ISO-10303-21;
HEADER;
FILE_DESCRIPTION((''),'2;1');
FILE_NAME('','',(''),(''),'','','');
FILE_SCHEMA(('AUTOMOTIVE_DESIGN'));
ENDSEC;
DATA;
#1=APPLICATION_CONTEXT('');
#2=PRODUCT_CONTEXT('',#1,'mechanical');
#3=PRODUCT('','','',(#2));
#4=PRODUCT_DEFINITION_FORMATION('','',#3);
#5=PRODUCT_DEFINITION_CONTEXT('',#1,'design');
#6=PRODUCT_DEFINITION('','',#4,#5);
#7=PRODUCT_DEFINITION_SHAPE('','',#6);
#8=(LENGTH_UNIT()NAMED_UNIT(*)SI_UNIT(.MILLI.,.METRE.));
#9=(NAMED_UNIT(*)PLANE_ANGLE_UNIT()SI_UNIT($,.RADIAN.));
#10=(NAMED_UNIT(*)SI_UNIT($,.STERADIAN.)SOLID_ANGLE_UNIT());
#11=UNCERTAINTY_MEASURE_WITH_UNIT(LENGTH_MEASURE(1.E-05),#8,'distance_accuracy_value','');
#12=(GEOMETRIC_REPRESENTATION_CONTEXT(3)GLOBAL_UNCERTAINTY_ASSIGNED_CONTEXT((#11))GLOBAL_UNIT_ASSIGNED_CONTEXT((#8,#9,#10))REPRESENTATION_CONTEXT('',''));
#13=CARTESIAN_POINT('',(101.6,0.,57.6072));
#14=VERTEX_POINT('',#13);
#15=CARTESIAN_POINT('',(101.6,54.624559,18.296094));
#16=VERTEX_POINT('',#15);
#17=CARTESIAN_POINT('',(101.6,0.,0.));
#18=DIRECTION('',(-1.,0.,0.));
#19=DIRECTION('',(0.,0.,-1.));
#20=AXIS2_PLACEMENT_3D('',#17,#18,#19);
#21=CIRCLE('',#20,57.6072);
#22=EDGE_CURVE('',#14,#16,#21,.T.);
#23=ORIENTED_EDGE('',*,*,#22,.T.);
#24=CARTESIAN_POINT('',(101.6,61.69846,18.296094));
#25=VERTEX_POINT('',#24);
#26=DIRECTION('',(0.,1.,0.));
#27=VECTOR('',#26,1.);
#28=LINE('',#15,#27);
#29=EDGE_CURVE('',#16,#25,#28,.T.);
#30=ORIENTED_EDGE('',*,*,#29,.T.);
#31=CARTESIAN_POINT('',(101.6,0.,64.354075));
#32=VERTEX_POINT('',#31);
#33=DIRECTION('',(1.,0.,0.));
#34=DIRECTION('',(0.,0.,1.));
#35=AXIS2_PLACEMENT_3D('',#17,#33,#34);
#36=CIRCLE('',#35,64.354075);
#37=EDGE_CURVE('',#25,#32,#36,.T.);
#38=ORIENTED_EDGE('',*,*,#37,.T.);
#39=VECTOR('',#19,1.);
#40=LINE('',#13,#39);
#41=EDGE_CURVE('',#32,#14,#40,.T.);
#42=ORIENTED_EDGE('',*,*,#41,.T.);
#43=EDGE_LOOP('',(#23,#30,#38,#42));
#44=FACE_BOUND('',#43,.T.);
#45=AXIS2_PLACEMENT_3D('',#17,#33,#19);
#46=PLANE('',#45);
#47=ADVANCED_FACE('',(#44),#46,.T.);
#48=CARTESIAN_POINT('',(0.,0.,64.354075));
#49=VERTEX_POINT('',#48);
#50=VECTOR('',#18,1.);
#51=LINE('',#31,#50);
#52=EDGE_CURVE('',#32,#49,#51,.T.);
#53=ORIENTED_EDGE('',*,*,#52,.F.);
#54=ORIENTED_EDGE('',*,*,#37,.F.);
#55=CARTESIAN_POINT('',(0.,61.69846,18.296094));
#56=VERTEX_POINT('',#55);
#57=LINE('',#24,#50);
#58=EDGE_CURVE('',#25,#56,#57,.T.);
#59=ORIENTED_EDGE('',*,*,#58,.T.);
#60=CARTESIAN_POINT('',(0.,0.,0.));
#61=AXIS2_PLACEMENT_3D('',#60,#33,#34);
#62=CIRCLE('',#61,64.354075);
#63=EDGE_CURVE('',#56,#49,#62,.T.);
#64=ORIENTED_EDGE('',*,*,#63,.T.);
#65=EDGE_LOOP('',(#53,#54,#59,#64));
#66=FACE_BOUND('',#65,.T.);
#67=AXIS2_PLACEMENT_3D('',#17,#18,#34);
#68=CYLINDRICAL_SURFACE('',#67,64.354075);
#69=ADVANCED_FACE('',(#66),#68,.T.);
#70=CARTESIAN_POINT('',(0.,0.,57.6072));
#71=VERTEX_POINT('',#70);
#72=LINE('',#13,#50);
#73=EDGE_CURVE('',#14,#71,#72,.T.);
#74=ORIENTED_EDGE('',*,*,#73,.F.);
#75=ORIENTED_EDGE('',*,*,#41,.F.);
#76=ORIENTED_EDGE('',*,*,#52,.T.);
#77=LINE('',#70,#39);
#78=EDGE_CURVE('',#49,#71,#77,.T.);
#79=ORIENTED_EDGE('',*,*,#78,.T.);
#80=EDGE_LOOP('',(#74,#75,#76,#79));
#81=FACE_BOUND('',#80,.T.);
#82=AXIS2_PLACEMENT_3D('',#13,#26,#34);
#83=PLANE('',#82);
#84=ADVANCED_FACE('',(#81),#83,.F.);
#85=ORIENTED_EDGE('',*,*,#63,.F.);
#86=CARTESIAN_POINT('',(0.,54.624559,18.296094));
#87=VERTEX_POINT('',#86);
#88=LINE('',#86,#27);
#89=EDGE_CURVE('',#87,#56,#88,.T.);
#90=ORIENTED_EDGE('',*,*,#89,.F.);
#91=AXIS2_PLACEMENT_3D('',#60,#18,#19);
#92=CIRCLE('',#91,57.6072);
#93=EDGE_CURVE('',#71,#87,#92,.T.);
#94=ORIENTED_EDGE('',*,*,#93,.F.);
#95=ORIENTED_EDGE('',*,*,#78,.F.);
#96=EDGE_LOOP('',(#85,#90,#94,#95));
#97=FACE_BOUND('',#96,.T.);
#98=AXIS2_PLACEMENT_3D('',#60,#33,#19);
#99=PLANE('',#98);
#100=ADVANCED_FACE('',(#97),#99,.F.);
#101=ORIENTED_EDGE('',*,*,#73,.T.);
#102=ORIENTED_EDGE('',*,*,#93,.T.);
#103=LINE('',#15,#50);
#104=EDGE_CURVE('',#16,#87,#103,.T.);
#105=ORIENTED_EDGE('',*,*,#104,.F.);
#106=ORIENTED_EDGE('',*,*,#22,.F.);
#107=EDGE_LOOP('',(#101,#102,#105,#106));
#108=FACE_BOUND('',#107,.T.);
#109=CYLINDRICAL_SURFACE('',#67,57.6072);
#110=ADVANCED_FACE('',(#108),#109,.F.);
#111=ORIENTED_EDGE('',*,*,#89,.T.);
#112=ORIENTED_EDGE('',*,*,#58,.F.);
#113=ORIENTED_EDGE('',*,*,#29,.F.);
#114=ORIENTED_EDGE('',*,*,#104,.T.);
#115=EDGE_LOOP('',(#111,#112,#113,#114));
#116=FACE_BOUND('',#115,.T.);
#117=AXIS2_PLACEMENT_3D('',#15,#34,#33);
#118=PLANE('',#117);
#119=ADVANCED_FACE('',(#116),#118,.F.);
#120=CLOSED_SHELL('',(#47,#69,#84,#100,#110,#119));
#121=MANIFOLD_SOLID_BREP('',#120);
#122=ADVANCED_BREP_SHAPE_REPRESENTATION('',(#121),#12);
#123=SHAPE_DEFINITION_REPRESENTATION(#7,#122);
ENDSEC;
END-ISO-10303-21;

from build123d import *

# Parameters (mm, degrees)
BOSS_EXTRUDE1_DEPTH = 101.6


with BuildPart() as part:
    # Sketch1 → Boss-Extrude1 (new body)
    with BuildSketch(Plane(origin=(0, 0, 0), x_dir=(0, 0, -1), z_dir=(1, 0, 0))):
        with BuildLine():
            Line((-57.6072, 0), (-64.354075, 0))
            ThreePointArc((-64.354075, 0), (-51.569735159, 38.496875), (-18.296093908, 61.698459598))
            Line((-18.296093908, 61.698459598), (-18.296093908, 54.624558941))
            ThreePointArc((-18.296093908, 54.624558941), (-46.757759959, 33.649686112), (-57.6072, 0))
        make_face()
    extrude(amount=BOSS_EXTRUDE1_DEPTH)


solid = part.part
